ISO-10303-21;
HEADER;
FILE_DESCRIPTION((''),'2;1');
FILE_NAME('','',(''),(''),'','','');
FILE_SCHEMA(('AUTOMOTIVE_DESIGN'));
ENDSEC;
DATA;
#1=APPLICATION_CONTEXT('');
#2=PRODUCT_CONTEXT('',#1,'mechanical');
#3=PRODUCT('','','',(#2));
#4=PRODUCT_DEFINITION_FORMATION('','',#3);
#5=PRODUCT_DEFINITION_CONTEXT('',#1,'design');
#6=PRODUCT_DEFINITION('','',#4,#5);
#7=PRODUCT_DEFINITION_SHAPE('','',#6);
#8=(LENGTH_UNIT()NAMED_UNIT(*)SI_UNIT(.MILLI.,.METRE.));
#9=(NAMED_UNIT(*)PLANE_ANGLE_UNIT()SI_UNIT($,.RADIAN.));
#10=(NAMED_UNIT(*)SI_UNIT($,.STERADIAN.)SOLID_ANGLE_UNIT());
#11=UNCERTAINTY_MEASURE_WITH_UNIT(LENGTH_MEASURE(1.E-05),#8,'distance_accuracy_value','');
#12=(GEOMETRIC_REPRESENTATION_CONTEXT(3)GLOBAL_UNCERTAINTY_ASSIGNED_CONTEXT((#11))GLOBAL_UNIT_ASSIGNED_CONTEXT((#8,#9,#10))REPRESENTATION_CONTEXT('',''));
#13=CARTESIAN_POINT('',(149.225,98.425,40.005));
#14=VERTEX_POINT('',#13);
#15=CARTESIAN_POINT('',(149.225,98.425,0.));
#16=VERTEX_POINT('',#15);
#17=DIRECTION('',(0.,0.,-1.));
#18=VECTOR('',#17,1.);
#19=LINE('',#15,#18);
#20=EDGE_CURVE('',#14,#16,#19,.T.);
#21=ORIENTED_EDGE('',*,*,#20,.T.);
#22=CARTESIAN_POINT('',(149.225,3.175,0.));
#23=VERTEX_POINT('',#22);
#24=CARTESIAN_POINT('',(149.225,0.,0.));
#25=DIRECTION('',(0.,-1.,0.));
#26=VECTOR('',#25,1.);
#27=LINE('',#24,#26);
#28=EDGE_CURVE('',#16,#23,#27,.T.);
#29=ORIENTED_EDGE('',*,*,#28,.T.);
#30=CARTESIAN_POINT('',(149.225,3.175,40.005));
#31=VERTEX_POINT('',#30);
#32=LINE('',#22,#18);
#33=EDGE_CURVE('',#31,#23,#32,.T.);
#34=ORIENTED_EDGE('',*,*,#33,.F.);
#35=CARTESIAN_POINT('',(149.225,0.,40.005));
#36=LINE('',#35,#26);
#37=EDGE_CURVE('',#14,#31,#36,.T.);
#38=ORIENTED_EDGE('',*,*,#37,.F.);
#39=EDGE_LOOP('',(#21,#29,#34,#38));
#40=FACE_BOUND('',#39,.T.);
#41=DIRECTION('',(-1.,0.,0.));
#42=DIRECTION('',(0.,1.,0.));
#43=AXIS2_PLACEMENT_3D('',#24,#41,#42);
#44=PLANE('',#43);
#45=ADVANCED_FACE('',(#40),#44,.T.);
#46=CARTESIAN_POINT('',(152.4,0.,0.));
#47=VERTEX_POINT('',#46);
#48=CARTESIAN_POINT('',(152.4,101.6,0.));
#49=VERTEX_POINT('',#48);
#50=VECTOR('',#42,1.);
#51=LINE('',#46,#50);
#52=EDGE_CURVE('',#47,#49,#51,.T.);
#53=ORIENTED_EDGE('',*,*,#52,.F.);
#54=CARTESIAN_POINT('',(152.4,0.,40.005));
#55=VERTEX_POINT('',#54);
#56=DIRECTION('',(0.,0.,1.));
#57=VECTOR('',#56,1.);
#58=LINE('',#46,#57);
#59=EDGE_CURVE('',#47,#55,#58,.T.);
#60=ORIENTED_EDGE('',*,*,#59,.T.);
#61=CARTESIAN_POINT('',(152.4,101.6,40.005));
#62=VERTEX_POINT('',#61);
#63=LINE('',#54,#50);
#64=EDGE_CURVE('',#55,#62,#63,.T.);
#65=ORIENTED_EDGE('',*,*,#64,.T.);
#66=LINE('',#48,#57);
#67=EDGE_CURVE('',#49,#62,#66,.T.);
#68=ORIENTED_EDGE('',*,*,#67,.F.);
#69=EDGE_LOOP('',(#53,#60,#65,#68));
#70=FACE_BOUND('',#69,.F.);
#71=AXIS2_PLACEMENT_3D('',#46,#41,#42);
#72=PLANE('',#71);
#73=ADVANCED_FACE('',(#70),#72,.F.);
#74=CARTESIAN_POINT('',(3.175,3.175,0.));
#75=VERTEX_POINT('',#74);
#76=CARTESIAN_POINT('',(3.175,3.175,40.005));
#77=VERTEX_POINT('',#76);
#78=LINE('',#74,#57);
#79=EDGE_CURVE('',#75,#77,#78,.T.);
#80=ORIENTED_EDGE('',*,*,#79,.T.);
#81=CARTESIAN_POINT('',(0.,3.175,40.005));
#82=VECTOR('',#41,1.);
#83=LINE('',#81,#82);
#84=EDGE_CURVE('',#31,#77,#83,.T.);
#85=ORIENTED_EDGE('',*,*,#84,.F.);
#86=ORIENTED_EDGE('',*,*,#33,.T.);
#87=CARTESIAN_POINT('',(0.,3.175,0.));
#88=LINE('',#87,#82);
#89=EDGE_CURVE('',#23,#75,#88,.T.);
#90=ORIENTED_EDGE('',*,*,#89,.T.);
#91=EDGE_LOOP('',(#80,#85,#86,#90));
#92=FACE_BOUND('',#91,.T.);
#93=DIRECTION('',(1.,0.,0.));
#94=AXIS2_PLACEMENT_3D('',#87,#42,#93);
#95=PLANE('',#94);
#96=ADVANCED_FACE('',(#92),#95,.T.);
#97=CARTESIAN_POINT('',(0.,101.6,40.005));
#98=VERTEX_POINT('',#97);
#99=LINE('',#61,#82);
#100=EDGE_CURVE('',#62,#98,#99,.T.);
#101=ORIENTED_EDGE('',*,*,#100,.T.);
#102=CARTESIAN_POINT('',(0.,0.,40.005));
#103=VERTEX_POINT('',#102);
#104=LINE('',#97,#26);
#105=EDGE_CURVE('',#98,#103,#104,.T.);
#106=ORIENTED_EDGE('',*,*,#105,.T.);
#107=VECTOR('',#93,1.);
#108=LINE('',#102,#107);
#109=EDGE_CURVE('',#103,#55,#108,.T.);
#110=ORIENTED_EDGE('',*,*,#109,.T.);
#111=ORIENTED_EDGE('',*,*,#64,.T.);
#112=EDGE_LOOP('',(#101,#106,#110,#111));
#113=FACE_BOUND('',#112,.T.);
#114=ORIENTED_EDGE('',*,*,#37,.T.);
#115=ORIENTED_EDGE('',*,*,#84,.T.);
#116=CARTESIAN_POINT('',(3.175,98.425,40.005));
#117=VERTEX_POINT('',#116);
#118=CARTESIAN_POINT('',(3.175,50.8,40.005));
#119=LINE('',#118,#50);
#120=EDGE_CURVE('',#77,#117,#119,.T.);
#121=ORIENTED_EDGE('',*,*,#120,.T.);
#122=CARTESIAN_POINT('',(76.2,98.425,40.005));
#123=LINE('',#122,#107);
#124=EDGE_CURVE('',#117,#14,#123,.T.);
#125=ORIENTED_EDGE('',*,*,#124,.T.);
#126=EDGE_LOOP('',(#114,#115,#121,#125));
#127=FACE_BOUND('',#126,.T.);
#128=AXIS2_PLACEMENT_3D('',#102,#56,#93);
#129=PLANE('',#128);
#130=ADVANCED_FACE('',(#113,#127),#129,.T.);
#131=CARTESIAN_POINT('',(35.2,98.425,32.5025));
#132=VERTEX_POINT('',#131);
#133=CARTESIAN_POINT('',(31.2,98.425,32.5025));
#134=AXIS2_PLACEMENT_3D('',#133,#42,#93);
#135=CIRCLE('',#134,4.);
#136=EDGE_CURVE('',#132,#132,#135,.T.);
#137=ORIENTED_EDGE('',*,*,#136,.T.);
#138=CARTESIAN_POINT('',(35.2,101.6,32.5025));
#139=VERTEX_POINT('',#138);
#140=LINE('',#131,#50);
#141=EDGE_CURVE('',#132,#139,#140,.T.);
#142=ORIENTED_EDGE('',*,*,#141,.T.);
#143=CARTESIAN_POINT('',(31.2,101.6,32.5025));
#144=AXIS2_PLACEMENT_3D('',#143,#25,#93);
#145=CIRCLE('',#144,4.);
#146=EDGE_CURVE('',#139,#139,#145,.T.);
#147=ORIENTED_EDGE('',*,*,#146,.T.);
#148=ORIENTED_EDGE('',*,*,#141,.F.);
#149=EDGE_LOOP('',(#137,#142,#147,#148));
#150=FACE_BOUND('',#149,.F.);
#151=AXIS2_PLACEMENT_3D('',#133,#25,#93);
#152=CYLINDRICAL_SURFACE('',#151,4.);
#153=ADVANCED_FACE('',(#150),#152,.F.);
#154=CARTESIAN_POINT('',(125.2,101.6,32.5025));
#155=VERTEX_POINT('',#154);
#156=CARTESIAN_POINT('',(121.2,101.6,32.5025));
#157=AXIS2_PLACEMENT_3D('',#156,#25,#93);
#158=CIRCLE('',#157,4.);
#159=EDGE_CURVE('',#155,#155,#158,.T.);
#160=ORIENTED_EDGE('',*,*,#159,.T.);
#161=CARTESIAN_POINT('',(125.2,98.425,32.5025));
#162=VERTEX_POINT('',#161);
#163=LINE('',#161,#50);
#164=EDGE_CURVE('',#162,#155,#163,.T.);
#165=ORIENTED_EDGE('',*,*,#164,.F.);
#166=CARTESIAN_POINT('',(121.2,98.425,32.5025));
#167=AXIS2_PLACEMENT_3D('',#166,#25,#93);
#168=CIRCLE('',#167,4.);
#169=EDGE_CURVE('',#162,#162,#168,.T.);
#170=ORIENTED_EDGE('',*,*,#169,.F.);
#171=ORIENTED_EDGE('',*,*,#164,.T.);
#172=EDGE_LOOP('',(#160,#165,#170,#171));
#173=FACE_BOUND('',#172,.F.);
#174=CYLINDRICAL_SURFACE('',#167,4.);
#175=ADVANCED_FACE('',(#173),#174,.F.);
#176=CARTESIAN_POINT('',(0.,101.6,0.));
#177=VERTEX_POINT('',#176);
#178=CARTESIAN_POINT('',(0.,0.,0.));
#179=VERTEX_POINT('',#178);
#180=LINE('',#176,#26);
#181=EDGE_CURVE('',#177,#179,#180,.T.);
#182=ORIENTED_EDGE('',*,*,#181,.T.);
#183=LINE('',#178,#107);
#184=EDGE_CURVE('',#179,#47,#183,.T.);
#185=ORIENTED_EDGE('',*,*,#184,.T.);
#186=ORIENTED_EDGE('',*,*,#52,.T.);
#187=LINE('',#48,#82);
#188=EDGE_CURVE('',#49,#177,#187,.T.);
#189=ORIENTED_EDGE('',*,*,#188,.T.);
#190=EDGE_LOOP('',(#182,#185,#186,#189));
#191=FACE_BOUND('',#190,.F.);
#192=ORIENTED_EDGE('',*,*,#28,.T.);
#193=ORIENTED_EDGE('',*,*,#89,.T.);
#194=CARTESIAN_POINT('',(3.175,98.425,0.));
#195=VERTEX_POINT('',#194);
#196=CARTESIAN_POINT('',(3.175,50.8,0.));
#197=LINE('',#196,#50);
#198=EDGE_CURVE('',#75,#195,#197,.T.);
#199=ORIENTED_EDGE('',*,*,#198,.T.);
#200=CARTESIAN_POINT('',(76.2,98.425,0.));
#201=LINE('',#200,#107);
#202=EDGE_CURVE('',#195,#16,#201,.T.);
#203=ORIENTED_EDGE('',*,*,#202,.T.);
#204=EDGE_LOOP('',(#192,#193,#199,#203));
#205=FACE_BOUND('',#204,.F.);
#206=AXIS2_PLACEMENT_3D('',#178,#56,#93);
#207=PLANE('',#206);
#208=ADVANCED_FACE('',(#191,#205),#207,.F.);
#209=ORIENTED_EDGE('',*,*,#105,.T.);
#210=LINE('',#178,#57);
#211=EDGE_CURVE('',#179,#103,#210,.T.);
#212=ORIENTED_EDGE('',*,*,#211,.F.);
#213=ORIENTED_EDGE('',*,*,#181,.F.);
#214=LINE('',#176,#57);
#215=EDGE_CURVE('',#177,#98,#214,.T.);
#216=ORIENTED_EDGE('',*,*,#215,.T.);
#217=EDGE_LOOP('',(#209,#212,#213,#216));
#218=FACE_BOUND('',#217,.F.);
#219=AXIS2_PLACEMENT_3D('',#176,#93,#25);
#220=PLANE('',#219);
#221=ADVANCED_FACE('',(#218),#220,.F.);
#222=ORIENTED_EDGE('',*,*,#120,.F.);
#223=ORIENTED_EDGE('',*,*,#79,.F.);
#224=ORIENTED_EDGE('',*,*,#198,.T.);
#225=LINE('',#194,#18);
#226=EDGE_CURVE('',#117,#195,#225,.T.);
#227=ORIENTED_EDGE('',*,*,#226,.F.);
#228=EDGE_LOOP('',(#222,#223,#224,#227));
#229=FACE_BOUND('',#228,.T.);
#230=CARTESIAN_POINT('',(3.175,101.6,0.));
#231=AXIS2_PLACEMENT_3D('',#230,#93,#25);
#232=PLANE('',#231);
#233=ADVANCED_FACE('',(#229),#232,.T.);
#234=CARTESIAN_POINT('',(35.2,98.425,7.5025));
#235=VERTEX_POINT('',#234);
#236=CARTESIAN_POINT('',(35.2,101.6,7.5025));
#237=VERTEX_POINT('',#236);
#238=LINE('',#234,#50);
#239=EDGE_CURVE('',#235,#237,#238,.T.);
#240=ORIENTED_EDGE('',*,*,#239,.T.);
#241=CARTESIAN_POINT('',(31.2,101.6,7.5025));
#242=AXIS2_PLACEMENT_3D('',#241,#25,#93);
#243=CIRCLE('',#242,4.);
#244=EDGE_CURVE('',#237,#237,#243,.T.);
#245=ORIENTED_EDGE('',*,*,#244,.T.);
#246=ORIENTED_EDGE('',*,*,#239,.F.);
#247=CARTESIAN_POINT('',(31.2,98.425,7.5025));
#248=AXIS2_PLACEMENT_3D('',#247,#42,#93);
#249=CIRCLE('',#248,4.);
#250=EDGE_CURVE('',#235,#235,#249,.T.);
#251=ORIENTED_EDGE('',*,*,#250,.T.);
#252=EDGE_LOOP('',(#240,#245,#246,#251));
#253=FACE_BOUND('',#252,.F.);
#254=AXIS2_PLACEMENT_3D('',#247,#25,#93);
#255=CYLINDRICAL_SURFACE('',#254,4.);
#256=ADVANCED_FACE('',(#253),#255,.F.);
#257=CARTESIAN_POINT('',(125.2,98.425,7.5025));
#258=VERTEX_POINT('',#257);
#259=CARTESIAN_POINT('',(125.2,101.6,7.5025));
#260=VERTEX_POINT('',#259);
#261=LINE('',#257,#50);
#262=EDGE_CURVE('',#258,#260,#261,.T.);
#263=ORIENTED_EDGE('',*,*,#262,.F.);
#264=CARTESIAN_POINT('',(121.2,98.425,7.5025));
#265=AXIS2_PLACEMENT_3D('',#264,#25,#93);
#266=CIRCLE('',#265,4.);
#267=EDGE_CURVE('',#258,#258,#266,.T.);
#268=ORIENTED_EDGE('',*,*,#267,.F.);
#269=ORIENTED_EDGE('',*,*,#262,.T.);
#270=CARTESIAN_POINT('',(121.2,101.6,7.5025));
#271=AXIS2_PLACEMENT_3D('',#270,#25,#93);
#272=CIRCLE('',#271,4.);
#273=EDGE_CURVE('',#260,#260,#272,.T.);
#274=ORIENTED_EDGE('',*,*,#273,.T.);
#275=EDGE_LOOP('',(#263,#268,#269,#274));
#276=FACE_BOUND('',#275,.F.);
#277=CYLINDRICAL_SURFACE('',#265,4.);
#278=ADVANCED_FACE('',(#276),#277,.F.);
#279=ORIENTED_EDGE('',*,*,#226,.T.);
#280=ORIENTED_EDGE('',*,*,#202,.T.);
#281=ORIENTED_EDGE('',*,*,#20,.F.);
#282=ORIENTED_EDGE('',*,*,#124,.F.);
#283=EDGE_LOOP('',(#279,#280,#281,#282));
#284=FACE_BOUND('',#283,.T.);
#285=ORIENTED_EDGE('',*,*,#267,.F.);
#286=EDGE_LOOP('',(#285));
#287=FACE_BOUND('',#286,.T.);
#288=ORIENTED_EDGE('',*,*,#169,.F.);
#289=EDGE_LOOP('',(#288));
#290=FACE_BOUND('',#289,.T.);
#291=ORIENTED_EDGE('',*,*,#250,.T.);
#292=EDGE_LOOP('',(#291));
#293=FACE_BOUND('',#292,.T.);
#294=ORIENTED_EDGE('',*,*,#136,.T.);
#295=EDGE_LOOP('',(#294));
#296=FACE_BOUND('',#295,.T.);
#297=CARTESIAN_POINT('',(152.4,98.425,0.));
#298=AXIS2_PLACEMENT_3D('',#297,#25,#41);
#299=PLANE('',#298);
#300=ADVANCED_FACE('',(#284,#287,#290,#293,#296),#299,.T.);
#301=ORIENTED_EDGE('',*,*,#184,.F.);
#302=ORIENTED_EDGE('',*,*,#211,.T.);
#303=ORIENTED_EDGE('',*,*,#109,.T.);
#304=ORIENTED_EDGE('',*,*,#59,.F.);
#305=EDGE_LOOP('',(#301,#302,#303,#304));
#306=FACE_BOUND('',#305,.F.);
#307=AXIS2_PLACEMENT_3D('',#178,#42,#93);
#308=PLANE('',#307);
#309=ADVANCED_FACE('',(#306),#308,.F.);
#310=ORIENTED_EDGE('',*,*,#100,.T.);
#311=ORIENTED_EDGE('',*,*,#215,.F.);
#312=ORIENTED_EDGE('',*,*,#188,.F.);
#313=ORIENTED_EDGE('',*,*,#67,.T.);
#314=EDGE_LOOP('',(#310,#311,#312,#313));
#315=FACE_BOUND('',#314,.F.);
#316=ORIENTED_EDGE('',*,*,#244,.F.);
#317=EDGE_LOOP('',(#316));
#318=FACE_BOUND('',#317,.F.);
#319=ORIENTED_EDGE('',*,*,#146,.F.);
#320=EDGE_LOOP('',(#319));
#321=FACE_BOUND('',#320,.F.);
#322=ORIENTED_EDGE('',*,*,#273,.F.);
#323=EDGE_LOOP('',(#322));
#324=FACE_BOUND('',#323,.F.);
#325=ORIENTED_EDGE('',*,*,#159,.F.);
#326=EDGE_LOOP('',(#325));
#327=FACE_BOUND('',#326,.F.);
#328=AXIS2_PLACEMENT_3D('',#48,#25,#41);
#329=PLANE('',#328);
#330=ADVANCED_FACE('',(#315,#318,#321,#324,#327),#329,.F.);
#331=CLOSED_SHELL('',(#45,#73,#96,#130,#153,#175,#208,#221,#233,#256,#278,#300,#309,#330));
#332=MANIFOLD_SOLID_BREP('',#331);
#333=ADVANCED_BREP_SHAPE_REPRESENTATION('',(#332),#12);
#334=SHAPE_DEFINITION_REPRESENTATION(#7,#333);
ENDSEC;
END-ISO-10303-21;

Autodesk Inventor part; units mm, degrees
ref_plane "YZ Plane" through (0, 0, 0) normal (1, 0, 0) x (0, 1, 0)
ref_plane "XZ Plane" through (0, 0, 0) normal (0, 1, 0) x (-1, 0, 0)
ref_plane "XY Plane" through (0, 0, 0) normal (0, 0, 1) x (1, 0, 0)
sketch "Sketch1" plane through (0, 0, 0) normal (0, 0, 1) x (1, 0, 0)
  line L0 (0, 0) -> (152.4, 0)
  line L1 (152.4, 0) -> (152.4, 101.6)
  line L2 (152.4, 101.6) -> (0, 101.6)
  line L3 (0, 101.6) -> (0, 0)
  dimension "d0" = 152.4
  dimension "d1" = 101.6
extrude "Extrusion1" add sketch "Sketch1" along normal blind 40.005
shell "Shell1" thickness 3.175 removed faces 2 at (50.8, 67.7333, 0) at (50.8, 67.7333, 40.005)
sketch "Sketch2" plane through (3.175, 98.425, 0) normal (0, -1, 0) x (1, 0, 0)
  circle A0 centre (118.025, 7.5025) radius 4
  circle A1 centre (28.025, 7.5025) radius 4
  line L0 (-3.175, 0) -> (-3.175, 40.005) construction
  line L1 (-3.175, 0) -> (149.225, 0) construction
  circle A2 centre (118.025, 32.5025) radius 4
  circle A3 centre (28.025, 32.5025) radius 4
  line L2 (118.025, 7.5025) -> (28.025, 7.5025) construction
  line L3 (28.025, 7.5025) -> (28.025, 32.5025)
  line L4 (28.025, 32.5025) -> (118.025, 32.5025) construction
  line L5 (118.025, 32.5025) -> (118.025, 7.5025) construction
  point P0 (73.025, 7.5025)
  point P1 (73.025, 0)
  point P2 (28.025, 20.0025)
  point P3 (-3.175, 20.0025)
  dimension "d5" = 8
  dimension "d6" = 25
  dimension "d7" = 90
extrude "Extrusion2" cut sketch "Sketch2" against normal up to surface (3.175 mm away)
properties part number "YGANTRYTUBE"
